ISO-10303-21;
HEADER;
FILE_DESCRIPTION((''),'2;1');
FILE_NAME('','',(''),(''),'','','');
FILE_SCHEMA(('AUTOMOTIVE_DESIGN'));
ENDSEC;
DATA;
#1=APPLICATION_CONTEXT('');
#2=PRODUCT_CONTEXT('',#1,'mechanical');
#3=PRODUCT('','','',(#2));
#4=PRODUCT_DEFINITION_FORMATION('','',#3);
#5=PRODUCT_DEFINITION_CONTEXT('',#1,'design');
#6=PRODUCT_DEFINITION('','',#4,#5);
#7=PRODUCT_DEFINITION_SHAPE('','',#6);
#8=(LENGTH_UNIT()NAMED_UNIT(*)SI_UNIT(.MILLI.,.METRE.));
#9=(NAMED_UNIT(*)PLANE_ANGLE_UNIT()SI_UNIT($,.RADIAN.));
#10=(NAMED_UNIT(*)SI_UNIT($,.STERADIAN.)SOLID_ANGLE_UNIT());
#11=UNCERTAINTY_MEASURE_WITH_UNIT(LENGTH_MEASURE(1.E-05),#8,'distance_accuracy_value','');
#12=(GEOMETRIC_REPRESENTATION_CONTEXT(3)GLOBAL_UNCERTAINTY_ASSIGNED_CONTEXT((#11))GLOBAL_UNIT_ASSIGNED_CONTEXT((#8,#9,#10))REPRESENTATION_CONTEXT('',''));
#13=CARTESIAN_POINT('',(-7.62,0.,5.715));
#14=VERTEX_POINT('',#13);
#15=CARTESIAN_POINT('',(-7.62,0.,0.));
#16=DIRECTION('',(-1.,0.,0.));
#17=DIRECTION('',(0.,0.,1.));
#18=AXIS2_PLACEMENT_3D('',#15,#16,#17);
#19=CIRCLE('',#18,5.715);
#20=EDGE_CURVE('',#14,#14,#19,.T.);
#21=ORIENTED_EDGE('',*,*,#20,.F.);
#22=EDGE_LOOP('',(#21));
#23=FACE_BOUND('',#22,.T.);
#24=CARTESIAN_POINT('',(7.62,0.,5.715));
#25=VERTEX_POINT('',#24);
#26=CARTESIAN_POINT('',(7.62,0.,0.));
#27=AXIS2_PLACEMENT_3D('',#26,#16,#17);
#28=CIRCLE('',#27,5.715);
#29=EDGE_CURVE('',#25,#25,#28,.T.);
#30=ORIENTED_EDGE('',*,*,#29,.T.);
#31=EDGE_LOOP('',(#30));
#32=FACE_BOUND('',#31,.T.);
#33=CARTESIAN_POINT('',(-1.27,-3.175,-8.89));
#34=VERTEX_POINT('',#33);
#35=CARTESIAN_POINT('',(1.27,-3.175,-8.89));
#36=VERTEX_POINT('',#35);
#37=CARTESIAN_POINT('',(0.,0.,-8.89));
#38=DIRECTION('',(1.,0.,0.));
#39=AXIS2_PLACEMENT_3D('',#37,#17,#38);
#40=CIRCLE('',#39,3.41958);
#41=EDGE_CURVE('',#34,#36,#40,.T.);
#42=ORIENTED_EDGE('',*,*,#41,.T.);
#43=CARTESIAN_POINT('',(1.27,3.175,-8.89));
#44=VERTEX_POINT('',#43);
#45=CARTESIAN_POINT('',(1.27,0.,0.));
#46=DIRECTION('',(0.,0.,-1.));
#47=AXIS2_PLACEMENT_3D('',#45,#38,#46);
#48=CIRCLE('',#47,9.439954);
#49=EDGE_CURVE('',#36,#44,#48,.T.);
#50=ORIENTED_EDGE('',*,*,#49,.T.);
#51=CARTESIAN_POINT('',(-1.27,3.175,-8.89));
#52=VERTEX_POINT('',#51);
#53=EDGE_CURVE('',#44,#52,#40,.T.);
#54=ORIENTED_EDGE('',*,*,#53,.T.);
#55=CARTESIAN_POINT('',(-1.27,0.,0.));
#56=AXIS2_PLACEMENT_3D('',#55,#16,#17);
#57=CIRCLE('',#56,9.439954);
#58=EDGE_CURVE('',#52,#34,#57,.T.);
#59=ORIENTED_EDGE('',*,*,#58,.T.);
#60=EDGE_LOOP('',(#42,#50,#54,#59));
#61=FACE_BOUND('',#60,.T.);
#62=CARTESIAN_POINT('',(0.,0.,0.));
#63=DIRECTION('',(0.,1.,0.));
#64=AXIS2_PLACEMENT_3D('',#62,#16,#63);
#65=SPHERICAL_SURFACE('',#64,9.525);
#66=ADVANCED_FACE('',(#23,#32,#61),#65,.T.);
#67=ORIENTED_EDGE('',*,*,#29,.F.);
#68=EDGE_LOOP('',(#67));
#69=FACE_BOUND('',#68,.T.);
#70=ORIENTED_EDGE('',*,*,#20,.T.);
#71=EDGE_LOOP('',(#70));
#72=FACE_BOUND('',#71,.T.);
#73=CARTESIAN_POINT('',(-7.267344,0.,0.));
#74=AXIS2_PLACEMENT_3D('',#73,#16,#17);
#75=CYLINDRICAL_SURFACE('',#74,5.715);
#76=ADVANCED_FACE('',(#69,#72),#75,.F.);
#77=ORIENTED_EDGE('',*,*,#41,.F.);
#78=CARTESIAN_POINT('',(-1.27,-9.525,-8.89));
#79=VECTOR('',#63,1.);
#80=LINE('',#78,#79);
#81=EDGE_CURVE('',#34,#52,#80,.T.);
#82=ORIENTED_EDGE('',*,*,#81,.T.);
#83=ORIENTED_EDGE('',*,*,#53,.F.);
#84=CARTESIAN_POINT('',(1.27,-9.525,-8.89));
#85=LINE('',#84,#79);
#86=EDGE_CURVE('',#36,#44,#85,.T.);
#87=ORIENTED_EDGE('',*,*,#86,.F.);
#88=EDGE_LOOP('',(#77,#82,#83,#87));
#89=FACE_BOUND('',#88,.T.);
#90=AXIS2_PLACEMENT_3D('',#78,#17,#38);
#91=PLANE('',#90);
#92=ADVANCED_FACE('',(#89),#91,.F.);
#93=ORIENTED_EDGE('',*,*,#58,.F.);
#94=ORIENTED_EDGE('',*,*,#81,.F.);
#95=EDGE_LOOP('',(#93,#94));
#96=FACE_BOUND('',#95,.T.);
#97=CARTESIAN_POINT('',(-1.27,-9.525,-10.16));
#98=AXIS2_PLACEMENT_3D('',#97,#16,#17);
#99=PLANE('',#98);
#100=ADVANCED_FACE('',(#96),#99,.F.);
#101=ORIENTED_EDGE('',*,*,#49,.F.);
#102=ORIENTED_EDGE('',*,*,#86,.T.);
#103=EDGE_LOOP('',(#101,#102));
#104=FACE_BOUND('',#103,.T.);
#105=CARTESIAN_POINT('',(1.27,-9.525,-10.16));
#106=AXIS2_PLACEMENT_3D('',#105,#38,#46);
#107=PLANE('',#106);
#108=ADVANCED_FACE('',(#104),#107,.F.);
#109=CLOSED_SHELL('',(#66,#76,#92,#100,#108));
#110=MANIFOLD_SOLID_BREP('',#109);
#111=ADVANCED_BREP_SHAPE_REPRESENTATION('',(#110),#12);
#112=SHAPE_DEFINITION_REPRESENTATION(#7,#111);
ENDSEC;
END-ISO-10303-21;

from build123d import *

# Parameters (mm, degrees)
CUT_EXTRUDE1_DEPTH      = 16.476293161
CUT_EXTRUDE1_DEPTH_BACK = 16.476293161
SKETCH2_W               = 2.54
SKETCH2_H               = 1.27


with BuildPart() as part:
    # Sketch1 → Revolve1 (revolve)
    with BuildSketch(Plane.XY):
        with BuildLine():
            Line((-7.62, 5.715), (7.62, 5.715))
            ThreePointArc((7.62, 5.715), (0, 9.525), (-7.62, 5.715))
        make_face()
    revolve(axis=Axis((-7.267344291, 0, 0), (1, 0, 0)))

    # Sketch2 → Cut-Extrude1 (cut, two sides: drawn at the far end of the back side and taken through both)
    with BuildSketch(Plane(origin=(0, 0, 0), x_dir=(1, 0, 0), z_dir=(0, 1, 0)).offset(-CUT_EXTRUDE1_DEPTH_BACK)):
        with Locations((0, 9.525)):
            Rectangle(SKETCH2_W, SKETCH2_H)
    extrude(amount=CUT_EXTRUDE1_DEPTH + CUT_EXTRUDE1_DEPTH_BACK, mode=Mode.SUBTRACT)


solid = part.part
